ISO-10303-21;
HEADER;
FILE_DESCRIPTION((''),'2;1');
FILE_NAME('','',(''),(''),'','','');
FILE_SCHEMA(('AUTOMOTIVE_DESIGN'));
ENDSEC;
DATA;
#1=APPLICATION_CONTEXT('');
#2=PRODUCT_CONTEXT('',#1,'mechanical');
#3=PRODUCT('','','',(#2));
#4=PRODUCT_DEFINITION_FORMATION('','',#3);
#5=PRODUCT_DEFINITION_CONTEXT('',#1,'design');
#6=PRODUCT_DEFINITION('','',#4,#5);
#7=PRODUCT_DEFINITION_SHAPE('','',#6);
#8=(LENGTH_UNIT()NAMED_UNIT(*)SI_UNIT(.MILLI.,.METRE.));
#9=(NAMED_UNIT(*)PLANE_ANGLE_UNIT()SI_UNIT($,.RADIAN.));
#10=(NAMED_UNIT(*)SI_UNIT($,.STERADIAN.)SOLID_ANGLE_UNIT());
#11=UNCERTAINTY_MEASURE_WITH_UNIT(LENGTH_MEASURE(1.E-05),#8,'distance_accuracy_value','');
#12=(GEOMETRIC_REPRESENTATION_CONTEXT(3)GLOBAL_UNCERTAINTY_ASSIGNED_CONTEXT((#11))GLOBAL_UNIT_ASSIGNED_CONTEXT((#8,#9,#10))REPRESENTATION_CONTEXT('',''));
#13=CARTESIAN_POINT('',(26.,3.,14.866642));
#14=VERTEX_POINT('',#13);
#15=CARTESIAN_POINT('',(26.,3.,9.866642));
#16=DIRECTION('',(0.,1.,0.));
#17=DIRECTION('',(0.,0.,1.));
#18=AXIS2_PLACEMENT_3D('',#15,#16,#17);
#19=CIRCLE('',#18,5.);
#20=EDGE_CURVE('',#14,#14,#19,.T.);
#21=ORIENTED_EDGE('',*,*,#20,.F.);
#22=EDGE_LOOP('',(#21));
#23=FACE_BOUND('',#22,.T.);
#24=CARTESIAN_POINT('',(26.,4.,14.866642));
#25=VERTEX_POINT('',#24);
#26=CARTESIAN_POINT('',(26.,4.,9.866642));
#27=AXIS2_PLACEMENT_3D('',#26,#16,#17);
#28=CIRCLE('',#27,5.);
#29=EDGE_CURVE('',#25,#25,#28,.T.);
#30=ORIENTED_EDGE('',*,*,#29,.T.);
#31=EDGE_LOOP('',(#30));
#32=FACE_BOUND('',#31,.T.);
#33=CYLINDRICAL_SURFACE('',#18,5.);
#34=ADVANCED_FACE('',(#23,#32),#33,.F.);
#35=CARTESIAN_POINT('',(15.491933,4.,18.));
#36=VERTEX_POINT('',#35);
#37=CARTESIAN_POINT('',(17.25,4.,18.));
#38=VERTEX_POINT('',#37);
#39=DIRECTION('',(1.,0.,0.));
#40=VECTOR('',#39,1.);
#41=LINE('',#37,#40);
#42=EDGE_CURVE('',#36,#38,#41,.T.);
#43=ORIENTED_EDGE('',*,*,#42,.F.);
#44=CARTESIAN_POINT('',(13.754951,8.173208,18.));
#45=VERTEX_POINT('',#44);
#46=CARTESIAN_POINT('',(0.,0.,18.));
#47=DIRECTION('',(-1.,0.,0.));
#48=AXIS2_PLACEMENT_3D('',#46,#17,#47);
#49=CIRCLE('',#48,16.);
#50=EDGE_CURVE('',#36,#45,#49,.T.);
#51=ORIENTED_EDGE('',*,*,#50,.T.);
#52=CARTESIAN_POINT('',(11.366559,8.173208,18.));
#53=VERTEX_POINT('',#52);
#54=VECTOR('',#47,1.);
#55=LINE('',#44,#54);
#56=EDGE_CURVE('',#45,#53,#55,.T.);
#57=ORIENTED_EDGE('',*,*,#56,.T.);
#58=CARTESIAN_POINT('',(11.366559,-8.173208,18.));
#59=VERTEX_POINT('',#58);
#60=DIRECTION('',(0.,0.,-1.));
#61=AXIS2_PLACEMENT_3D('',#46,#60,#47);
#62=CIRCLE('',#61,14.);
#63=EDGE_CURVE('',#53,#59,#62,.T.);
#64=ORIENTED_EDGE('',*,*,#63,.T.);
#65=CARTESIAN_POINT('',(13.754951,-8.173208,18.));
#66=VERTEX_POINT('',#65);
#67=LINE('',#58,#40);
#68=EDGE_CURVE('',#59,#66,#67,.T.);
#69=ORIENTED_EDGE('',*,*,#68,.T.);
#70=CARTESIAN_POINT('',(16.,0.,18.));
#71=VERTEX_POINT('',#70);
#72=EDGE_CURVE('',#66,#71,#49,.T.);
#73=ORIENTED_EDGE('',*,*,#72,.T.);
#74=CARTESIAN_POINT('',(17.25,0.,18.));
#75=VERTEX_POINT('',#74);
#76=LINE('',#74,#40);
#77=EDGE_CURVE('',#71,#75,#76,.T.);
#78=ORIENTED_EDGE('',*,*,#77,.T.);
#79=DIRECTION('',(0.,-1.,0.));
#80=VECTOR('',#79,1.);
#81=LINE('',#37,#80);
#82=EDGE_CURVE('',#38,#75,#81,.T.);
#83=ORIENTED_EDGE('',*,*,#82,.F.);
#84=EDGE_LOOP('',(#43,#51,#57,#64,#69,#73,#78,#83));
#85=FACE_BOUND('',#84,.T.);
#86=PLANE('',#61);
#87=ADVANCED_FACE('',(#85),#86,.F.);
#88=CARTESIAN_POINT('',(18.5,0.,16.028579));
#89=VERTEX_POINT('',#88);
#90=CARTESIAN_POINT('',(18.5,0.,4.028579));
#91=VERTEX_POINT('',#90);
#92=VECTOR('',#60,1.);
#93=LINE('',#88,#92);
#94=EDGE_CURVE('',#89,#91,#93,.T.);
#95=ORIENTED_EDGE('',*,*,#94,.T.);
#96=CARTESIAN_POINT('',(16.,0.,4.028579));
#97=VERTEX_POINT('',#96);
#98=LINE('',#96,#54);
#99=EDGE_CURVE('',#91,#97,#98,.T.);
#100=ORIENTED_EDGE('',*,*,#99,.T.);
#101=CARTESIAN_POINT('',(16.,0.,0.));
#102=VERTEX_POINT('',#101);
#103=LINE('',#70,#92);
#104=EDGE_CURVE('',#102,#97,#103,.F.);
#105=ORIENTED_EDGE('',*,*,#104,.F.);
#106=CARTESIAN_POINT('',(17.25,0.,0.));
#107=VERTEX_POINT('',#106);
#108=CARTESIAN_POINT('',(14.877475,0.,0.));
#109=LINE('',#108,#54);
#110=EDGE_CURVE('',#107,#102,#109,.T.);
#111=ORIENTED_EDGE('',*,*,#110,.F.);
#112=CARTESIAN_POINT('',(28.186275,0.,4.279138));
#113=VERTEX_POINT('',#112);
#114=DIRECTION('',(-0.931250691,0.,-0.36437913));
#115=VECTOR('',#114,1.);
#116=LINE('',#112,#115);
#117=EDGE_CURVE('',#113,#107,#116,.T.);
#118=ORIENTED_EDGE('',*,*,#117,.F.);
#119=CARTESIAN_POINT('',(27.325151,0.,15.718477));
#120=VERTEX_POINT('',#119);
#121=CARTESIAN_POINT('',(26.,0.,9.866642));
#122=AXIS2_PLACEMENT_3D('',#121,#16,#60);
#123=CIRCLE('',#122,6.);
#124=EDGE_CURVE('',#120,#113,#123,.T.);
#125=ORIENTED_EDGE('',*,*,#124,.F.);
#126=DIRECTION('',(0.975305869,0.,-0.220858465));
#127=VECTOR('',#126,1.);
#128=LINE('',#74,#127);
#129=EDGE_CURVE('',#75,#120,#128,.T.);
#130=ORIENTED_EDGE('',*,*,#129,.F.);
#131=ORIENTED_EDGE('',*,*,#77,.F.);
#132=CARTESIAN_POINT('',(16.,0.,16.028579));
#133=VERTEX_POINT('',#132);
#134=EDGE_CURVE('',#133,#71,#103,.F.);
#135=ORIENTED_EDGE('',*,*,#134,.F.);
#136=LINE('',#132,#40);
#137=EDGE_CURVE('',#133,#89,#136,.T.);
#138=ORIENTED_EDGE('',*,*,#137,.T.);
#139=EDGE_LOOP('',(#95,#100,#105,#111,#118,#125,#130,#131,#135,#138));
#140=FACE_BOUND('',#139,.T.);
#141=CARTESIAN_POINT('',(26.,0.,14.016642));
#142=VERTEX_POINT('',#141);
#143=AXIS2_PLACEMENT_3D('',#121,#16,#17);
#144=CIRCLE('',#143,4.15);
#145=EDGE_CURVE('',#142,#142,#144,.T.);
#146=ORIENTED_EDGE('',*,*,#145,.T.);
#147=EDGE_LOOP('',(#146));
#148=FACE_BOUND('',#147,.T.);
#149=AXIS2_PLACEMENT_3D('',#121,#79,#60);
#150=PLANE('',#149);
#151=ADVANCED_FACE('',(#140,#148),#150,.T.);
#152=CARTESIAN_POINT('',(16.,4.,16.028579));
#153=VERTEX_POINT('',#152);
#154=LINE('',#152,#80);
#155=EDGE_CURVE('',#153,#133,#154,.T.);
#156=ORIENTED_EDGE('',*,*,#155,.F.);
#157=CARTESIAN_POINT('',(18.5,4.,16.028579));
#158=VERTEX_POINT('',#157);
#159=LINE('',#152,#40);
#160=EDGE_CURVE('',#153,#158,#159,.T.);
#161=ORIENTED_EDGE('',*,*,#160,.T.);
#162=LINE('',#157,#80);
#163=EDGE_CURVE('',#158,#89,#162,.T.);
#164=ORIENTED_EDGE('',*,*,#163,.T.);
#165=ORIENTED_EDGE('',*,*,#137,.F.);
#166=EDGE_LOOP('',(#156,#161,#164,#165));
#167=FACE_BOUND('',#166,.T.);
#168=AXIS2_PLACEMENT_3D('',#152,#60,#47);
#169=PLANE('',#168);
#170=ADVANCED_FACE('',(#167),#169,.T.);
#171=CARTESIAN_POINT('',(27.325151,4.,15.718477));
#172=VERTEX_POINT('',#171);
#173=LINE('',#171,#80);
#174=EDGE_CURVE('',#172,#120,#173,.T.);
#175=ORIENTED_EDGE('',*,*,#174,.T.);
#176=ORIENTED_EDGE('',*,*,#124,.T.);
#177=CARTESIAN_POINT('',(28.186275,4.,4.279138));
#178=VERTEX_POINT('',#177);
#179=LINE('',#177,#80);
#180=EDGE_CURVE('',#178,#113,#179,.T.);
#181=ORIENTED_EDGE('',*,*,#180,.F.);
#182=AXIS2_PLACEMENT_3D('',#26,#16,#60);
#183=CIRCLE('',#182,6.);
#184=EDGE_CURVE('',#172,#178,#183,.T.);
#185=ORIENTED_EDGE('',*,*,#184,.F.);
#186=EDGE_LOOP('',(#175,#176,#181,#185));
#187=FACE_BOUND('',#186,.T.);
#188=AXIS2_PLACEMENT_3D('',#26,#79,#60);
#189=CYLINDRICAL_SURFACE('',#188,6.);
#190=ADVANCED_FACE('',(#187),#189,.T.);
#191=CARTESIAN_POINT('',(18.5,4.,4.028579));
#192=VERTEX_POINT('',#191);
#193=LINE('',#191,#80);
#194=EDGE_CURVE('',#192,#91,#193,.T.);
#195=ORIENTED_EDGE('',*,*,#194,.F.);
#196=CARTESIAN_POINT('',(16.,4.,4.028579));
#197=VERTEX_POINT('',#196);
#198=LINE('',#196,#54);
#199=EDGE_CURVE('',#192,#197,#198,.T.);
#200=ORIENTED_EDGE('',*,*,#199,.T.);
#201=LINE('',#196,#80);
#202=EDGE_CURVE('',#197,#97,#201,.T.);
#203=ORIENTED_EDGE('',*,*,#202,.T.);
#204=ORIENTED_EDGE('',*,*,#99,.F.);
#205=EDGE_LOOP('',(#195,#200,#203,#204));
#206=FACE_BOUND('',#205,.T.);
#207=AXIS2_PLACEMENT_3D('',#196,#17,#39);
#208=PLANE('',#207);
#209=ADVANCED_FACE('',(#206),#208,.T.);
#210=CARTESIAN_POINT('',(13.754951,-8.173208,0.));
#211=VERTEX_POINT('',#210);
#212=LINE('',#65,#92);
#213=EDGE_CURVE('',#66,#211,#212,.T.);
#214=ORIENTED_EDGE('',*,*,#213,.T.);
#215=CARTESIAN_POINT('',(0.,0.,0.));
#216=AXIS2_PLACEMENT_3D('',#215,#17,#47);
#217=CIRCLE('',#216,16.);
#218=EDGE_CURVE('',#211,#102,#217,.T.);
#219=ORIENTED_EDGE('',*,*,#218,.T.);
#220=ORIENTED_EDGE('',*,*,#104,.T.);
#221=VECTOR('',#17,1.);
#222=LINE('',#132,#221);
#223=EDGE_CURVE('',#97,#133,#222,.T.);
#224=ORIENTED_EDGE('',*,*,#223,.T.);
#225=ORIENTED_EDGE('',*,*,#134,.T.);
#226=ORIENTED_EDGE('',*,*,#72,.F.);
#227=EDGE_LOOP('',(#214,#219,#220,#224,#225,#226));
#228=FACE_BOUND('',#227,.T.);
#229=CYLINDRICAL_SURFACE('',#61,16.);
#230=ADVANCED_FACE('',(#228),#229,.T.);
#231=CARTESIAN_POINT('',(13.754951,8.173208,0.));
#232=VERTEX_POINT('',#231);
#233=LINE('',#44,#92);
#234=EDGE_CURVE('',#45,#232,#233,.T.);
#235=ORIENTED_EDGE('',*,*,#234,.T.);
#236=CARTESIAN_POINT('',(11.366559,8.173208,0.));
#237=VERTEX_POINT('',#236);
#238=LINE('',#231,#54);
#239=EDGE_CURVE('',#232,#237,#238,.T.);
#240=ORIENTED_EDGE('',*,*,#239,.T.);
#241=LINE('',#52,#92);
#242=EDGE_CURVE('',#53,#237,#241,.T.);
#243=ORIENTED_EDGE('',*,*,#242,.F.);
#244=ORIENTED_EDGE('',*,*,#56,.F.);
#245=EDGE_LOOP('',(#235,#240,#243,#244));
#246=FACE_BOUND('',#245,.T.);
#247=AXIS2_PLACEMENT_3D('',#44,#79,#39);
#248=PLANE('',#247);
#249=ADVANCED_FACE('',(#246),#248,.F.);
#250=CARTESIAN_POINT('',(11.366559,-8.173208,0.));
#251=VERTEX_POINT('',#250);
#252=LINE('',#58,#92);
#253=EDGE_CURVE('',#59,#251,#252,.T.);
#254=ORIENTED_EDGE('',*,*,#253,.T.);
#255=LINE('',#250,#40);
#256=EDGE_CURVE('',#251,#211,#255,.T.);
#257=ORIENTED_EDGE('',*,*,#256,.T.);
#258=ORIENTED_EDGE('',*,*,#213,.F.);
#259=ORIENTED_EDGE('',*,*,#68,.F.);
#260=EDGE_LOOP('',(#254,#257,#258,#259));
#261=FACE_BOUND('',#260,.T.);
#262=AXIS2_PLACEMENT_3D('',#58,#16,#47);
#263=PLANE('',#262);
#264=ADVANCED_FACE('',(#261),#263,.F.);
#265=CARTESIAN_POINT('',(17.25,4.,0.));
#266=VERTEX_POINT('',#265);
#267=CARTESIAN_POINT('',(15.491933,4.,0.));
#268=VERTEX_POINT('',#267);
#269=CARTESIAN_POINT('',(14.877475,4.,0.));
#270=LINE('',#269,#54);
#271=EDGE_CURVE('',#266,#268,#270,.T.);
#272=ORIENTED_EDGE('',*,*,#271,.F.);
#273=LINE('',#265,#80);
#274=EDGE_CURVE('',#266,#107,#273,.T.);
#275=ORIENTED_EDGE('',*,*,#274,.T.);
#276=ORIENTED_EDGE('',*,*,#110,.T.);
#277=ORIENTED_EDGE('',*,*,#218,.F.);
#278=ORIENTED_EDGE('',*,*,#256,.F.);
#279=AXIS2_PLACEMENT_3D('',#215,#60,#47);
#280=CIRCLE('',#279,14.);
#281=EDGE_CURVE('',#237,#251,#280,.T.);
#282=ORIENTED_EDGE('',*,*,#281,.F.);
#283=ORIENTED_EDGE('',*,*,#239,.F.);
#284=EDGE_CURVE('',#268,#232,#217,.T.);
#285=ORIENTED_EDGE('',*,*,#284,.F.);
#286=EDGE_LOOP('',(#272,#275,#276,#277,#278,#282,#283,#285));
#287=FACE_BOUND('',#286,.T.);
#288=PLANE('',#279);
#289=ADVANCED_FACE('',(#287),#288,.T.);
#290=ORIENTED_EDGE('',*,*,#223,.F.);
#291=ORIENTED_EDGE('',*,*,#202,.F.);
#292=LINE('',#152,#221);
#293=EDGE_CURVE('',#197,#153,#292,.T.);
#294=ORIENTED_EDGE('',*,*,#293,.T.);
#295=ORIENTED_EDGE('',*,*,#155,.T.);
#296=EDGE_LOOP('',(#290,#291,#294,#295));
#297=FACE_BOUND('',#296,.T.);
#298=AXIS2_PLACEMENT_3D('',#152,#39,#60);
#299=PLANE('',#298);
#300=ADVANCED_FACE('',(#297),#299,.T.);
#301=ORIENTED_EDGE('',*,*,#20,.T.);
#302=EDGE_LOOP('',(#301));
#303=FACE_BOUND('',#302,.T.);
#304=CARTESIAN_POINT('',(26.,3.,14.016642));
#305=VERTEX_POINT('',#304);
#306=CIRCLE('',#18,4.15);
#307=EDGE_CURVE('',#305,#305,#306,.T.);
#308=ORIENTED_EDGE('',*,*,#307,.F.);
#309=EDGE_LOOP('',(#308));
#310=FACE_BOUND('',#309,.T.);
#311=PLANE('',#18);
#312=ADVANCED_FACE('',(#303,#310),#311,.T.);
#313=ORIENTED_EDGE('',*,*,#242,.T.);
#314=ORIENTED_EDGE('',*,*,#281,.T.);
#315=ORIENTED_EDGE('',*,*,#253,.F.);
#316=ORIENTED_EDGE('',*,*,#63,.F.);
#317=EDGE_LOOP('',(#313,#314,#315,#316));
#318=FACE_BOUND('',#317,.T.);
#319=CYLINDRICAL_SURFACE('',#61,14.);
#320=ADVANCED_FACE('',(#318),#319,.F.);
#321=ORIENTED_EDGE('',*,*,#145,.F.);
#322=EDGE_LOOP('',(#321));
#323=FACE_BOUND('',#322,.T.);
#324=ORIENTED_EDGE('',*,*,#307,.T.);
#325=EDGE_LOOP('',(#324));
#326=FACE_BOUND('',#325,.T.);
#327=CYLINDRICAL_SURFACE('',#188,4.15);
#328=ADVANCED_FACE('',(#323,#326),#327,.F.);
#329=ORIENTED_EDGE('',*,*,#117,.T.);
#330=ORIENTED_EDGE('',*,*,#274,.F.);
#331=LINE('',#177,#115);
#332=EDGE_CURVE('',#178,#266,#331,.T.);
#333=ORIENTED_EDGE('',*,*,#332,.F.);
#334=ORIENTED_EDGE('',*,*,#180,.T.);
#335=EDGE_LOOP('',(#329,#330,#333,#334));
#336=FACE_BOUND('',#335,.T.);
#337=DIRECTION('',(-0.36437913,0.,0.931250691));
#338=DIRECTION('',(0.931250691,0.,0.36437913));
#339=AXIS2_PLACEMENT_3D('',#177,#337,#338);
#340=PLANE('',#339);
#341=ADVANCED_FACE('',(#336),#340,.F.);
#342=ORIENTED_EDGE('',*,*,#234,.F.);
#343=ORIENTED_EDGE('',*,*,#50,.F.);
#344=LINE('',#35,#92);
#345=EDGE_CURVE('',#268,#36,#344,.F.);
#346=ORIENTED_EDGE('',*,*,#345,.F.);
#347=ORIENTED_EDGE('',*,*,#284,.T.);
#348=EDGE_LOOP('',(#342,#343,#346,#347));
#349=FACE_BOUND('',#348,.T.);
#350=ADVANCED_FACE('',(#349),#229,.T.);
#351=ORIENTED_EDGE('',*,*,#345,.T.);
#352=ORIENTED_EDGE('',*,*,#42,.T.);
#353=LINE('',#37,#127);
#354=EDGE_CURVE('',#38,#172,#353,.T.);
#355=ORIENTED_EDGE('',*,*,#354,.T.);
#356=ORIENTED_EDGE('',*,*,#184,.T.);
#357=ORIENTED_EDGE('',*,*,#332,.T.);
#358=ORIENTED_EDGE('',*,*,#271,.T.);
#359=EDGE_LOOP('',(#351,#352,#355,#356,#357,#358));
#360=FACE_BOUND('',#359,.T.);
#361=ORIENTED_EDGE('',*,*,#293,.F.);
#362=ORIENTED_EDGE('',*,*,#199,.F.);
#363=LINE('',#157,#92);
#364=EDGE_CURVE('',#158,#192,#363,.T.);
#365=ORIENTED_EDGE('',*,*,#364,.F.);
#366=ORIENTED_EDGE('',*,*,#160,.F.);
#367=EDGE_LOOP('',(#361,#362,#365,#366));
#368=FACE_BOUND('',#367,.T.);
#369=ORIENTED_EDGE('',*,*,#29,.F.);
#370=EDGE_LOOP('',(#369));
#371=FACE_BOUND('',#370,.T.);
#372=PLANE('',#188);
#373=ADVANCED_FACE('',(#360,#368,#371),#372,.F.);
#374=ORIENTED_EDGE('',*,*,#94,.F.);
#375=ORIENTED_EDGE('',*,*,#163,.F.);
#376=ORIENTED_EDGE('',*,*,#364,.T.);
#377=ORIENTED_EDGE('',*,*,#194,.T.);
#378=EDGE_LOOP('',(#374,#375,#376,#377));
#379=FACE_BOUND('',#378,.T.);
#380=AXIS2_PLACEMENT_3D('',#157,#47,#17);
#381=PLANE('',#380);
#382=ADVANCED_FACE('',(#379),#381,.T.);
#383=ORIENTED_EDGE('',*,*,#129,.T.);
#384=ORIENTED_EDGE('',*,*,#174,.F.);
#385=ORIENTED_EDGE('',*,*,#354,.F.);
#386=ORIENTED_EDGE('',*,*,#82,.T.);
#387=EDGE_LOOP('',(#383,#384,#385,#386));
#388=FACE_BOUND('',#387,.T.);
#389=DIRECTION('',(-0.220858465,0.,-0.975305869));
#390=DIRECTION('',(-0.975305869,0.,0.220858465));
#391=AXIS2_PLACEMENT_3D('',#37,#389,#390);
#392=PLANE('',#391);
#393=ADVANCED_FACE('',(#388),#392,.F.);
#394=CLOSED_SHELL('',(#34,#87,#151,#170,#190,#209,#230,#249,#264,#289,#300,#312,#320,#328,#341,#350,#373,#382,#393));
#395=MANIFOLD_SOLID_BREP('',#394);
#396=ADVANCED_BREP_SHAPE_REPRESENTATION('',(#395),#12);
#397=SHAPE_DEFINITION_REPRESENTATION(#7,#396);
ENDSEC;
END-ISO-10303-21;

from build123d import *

# Parameters (mm, degrees)
EXTRUDE_1_DEPTH     = 18
SKETCH_3_R          = 4.15
SKETCH_3_W          = 2.5
SKETCH_3_H          = 12
EXTRUDE_2_DEPTH     = 4
SKETCH_4_R          = 5
CUT_EXTRUDE_1_DEPTH = 1


with BuildPart() as part:
    # 草图1 → 凸台-拉伸1 (new body)
    with BuildSketch(Plane.XY):
        with BuildLine():
            Line((13.754950724, 8.173208097), (11.36655926, 8.173208097))
            ThreePointArc((11.36655926, 8.173208097), (14, 0), (11.36655926, -8.173208097))
            Line((11.36655926, -8.173208097), (13.754950724, -8.173208097))
            ThreePointArc((13.754950724, -8.173208097), (16, 0), (13.754950724, 8.173208097))
        make_face()
    extrude(amount=EXTRUDE_1_DEPTH)

    # 草图3 → 凸台-拉伸2 (add)
    with BuildSketch(Plane(origin=(0, 0, 0), x_dir=(1, 0, 0), z_dir=(0, 1, 0))):
        with BuildLine():
            Line((17.25, -18), (14.877475362, -18))
            Line((14.877475362, -18), (14.877475362, 0))
            Line((14.877475362, 0), (17.25, 0))
            Line((17.25, 0), (28.186274783, -4.279138082))
            ThreePointArc((28.186274783, -4.279138082), (31.98307184, -10.317032459), (27.325150791, -15.718477442))
            Line((27.325150791, -15.718477442), (17.25, -18))
        make_face()
        with Locations(Location((26, -9.866642228, 0), (0, 0, 270))):
            Circle(SKETCH_3_R, mode=Mode.SUBTRACT)
        with Locations((17.25, -10.028578804)):
            Rectangle(SKETCH_3_W, SKETCH_3_H, mode=Mode.SUBTRACT)
    extrude(amount=EXTRUDE_2_DEPTH)

    # 草图4 → 切除-拉伸1 (cut)
    with BuildSketch(Plane(origin=(0, 4, 0), x_dir=(1, 0, 0), z_dir=(0, 1, 0))):
        with Locations(Location((26, -9.866642228, 0), (0, 0, 270))):
            Circle(SKETCH_4_R)
    extrude(amount=-CUT_EXTRUDE_1_DEPTH, mode=Mode.SUBTRACT)


solid = part.part
